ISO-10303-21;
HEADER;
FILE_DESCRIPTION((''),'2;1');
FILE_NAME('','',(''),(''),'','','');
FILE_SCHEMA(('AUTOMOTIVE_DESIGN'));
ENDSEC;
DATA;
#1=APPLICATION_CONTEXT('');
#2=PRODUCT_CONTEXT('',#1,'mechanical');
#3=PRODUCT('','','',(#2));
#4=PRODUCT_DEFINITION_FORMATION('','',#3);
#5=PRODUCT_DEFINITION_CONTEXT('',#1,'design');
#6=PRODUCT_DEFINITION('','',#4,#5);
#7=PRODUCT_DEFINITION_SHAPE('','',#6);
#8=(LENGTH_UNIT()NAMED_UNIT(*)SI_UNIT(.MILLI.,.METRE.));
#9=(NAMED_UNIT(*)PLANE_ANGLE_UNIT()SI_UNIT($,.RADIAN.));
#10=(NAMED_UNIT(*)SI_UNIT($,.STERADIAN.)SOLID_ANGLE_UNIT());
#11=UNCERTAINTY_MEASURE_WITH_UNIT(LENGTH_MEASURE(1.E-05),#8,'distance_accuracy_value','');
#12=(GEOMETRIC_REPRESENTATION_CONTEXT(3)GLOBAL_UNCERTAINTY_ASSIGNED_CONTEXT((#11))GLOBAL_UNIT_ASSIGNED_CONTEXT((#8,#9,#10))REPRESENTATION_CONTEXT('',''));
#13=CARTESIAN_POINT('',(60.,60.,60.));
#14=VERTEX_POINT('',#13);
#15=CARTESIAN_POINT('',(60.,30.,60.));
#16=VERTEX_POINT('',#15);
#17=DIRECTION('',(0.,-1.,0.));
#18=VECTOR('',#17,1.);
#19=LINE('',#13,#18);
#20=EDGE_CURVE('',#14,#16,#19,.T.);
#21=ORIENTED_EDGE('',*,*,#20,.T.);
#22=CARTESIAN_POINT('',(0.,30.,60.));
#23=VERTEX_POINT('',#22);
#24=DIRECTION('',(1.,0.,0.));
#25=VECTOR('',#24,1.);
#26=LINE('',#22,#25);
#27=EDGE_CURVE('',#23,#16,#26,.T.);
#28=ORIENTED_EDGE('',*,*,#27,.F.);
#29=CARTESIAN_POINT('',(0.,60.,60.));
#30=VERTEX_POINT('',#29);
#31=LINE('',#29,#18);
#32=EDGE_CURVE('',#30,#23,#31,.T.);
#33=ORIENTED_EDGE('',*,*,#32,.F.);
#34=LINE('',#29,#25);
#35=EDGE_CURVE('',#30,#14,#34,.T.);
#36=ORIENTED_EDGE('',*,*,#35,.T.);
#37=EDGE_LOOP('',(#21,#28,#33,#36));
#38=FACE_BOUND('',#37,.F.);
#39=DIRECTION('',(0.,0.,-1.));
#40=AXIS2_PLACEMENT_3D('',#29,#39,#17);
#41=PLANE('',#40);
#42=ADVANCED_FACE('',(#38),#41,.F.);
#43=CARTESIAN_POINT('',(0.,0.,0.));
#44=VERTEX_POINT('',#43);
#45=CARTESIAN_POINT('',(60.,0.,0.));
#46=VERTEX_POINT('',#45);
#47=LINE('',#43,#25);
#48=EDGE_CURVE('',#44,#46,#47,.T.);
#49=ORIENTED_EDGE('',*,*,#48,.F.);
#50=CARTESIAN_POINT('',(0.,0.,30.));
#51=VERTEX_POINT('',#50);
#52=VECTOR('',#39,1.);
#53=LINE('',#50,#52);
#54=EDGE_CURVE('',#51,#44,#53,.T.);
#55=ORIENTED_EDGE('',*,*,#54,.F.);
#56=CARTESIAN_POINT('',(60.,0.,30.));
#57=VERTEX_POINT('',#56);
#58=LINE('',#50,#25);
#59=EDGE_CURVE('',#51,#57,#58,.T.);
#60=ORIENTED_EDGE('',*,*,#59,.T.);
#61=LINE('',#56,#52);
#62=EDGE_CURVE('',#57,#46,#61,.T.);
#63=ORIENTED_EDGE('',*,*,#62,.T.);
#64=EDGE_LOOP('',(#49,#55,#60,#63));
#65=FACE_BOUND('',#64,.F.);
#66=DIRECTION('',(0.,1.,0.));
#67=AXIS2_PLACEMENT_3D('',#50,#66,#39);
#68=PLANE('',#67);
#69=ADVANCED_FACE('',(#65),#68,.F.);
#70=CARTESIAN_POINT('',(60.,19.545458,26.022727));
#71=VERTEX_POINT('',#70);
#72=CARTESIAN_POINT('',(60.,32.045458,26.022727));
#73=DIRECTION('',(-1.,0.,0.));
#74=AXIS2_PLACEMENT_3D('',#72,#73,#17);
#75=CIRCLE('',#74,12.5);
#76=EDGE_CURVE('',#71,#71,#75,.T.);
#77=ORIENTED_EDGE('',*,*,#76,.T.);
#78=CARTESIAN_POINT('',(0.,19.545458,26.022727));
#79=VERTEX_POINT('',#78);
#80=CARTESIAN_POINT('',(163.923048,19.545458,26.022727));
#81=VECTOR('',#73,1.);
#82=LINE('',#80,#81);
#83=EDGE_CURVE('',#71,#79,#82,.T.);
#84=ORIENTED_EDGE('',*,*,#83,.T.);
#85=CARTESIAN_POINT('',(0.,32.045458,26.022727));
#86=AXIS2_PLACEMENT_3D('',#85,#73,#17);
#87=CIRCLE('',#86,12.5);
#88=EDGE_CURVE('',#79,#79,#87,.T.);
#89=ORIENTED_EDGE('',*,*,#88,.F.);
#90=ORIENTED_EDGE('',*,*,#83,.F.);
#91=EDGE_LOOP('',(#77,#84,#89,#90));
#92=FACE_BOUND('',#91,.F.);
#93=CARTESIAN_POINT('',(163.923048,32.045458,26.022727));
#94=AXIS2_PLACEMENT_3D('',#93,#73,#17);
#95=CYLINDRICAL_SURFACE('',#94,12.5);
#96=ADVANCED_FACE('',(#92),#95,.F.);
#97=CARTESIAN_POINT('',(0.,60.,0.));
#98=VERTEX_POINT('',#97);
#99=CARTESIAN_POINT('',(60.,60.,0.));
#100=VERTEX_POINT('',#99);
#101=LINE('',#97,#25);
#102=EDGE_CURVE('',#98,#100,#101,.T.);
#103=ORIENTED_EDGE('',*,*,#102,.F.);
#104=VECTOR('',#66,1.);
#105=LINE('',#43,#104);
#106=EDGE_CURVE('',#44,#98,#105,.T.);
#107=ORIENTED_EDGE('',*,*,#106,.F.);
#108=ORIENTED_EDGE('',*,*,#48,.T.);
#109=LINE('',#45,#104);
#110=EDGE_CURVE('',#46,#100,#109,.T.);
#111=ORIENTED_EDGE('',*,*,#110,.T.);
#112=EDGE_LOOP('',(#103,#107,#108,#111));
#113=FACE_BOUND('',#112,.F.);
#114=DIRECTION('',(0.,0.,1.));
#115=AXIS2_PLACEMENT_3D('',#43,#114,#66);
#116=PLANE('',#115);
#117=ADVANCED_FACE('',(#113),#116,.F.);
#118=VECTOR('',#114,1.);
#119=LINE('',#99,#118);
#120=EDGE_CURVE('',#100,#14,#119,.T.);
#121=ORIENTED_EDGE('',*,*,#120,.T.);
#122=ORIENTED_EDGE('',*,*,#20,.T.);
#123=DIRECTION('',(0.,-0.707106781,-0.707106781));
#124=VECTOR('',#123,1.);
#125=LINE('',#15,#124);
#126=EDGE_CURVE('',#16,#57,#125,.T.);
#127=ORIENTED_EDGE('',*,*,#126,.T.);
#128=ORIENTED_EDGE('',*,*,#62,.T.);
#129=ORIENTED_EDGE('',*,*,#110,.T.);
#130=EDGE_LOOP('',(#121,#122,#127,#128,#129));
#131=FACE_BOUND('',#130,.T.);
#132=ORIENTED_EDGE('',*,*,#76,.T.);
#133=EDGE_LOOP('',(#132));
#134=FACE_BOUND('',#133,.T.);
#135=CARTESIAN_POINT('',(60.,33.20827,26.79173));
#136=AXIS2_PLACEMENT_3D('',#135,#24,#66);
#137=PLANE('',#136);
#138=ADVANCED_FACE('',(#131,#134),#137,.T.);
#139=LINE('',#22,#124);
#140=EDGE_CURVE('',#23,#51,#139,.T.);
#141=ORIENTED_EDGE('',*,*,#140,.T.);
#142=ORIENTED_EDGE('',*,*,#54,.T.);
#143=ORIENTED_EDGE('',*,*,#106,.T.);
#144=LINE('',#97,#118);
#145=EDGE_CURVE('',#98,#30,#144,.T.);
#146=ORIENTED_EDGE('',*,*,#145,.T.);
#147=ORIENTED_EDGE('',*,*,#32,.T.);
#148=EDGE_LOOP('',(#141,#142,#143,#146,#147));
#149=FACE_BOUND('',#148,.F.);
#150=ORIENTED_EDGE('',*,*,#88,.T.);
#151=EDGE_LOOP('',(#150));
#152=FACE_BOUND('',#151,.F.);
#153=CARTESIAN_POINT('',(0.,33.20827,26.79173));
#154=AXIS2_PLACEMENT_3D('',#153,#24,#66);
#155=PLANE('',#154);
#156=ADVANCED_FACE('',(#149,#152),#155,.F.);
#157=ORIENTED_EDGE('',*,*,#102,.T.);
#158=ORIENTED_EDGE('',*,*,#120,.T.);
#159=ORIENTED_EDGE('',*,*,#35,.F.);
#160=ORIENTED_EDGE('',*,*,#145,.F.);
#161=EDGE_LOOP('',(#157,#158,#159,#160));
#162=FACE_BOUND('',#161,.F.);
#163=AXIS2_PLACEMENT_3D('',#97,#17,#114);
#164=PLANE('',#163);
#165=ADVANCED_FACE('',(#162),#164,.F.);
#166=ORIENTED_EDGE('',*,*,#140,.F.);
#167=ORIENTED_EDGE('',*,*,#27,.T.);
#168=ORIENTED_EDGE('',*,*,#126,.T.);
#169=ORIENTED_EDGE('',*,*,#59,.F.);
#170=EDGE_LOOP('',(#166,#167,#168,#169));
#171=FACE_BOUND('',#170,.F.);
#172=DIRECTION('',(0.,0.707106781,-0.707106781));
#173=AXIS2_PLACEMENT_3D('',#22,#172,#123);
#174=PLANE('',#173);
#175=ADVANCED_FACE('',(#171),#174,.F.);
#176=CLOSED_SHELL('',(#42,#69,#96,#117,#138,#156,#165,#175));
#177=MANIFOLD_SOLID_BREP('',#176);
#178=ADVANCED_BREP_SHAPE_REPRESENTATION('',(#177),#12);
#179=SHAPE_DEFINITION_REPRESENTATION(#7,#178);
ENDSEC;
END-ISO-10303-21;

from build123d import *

# Parameters (mm, degrees)
F1_DEPTH = 60
F3_D     = 25


with BuildPart() as f1:
    # F0 (on Right) → F1 (new body)
    with BuildSketch(Plane.YZ):
        Polygon((0, 30), (0, 0), (60, 0), (60, 60), (30, 60), align=None)
    extrude(amount=F1_DEPTH)

    # F3 (through all)
    with Locations(Plane.YZ.offset(60)):
        with Locations((32.045458, 26.022727)):
            Hole(F3_D / 2)


solid = f1.part
